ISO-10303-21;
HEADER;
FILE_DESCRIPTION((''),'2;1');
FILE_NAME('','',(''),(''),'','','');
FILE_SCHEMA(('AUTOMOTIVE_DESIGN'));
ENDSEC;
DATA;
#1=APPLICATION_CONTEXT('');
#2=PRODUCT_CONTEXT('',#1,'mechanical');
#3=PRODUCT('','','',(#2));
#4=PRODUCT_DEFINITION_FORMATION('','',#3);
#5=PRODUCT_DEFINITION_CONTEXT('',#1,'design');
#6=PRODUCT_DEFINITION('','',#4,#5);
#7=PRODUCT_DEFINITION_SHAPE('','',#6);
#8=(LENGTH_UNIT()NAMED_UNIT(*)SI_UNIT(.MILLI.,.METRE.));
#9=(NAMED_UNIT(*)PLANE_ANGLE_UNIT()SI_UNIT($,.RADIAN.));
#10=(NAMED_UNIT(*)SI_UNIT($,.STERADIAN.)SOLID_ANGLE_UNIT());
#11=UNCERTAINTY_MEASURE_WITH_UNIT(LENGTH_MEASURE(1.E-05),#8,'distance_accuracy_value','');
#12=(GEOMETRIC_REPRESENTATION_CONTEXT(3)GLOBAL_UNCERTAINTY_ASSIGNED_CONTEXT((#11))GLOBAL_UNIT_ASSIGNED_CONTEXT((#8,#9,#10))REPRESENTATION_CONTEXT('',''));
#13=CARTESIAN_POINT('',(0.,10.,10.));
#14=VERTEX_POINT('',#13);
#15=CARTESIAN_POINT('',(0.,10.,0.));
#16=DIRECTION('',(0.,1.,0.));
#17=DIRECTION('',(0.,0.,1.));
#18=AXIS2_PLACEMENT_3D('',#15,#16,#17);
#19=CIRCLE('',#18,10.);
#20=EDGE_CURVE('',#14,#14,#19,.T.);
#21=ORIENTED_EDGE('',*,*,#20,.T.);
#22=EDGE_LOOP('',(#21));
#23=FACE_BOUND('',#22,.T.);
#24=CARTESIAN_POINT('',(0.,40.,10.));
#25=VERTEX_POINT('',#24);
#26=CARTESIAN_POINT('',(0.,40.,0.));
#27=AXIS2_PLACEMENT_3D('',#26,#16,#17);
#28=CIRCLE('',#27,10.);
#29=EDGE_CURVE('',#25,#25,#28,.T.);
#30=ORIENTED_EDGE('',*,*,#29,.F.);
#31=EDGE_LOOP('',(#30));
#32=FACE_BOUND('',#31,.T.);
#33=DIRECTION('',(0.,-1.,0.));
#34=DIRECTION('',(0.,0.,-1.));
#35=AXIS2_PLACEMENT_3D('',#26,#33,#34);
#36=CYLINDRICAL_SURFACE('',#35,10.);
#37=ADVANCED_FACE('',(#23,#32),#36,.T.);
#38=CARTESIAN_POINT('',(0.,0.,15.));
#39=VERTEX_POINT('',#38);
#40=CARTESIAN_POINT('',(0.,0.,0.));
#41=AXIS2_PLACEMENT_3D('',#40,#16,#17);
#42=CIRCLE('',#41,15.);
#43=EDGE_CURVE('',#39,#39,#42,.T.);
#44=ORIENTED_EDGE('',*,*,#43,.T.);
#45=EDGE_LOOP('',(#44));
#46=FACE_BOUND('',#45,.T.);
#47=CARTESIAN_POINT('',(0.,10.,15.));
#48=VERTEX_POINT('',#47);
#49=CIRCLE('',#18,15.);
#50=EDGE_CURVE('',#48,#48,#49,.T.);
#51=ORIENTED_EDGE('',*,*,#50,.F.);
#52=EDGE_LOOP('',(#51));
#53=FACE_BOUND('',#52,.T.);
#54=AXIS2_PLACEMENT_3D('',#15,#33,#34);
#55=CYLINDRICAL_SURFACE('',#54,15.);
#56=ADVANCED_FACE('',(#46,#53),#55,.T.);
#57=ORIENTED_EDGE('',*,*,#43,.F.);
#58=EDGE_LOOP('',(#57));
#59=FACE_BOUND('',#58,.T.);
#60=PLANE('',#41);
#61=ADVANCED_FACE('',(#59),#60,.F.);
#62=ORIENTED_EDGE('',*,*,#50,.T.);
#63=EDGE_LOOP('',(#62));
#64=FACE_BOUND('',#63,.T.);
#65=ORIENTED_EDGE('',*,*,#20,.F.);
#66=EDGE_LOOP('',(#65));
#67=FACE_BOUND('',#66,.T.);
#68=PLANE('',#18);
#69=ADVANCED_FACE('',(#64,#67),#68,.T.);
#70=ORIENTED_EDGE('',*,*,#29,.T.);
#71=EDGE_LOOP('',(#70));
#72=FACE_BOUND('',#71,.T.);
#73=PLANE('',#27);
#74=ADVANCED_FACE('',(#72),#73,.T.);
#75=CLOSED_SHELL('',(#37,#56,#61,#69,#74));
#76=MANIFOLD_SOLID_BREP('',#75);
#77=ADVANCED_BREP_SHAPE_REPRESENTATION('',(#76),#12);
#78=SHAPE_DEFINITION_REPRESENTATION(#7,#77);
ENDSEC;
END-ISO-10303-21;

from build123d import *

# Parameters (mm, degrees)
ESBO_O1_R                = 15
RESSALTO_EXTRUS_O1_DEPTH = 10
ESBO_O2_R                = 10
RESSALTO_EXTRUS_O2_DEPTH = 30


with BuildPart() as part:
    # Esboço1 → Ressalto-extrusão1 (new body)
    with BuildSketch(Plane(origin=(0, 0, 0), x_dir=(1, 0, 0), z_dir=(0, 1, 0))):
        with Locations(Location((0, 0, 0), (0, 0, 270))):
            Circle(ESBO_O1_R)
    extrude(amount=RESSALTO_EXTRUS_O1_DEPTH)

    # Esboço2 → Ressalto-extrusão2 (add)
    with BuildSketch(Plane(origin=(0, 10, 0), x_dir=(1, 0, 0), z_dir=(0, 1, 0))):
        with Locations(Location((0, 0, 0), (0, 0, 270))):
            Circle(ESBO_O2_R)
    extrude(amount=RESSALTO_EXTRUS_O2_DEPTH)


solid = part.part
